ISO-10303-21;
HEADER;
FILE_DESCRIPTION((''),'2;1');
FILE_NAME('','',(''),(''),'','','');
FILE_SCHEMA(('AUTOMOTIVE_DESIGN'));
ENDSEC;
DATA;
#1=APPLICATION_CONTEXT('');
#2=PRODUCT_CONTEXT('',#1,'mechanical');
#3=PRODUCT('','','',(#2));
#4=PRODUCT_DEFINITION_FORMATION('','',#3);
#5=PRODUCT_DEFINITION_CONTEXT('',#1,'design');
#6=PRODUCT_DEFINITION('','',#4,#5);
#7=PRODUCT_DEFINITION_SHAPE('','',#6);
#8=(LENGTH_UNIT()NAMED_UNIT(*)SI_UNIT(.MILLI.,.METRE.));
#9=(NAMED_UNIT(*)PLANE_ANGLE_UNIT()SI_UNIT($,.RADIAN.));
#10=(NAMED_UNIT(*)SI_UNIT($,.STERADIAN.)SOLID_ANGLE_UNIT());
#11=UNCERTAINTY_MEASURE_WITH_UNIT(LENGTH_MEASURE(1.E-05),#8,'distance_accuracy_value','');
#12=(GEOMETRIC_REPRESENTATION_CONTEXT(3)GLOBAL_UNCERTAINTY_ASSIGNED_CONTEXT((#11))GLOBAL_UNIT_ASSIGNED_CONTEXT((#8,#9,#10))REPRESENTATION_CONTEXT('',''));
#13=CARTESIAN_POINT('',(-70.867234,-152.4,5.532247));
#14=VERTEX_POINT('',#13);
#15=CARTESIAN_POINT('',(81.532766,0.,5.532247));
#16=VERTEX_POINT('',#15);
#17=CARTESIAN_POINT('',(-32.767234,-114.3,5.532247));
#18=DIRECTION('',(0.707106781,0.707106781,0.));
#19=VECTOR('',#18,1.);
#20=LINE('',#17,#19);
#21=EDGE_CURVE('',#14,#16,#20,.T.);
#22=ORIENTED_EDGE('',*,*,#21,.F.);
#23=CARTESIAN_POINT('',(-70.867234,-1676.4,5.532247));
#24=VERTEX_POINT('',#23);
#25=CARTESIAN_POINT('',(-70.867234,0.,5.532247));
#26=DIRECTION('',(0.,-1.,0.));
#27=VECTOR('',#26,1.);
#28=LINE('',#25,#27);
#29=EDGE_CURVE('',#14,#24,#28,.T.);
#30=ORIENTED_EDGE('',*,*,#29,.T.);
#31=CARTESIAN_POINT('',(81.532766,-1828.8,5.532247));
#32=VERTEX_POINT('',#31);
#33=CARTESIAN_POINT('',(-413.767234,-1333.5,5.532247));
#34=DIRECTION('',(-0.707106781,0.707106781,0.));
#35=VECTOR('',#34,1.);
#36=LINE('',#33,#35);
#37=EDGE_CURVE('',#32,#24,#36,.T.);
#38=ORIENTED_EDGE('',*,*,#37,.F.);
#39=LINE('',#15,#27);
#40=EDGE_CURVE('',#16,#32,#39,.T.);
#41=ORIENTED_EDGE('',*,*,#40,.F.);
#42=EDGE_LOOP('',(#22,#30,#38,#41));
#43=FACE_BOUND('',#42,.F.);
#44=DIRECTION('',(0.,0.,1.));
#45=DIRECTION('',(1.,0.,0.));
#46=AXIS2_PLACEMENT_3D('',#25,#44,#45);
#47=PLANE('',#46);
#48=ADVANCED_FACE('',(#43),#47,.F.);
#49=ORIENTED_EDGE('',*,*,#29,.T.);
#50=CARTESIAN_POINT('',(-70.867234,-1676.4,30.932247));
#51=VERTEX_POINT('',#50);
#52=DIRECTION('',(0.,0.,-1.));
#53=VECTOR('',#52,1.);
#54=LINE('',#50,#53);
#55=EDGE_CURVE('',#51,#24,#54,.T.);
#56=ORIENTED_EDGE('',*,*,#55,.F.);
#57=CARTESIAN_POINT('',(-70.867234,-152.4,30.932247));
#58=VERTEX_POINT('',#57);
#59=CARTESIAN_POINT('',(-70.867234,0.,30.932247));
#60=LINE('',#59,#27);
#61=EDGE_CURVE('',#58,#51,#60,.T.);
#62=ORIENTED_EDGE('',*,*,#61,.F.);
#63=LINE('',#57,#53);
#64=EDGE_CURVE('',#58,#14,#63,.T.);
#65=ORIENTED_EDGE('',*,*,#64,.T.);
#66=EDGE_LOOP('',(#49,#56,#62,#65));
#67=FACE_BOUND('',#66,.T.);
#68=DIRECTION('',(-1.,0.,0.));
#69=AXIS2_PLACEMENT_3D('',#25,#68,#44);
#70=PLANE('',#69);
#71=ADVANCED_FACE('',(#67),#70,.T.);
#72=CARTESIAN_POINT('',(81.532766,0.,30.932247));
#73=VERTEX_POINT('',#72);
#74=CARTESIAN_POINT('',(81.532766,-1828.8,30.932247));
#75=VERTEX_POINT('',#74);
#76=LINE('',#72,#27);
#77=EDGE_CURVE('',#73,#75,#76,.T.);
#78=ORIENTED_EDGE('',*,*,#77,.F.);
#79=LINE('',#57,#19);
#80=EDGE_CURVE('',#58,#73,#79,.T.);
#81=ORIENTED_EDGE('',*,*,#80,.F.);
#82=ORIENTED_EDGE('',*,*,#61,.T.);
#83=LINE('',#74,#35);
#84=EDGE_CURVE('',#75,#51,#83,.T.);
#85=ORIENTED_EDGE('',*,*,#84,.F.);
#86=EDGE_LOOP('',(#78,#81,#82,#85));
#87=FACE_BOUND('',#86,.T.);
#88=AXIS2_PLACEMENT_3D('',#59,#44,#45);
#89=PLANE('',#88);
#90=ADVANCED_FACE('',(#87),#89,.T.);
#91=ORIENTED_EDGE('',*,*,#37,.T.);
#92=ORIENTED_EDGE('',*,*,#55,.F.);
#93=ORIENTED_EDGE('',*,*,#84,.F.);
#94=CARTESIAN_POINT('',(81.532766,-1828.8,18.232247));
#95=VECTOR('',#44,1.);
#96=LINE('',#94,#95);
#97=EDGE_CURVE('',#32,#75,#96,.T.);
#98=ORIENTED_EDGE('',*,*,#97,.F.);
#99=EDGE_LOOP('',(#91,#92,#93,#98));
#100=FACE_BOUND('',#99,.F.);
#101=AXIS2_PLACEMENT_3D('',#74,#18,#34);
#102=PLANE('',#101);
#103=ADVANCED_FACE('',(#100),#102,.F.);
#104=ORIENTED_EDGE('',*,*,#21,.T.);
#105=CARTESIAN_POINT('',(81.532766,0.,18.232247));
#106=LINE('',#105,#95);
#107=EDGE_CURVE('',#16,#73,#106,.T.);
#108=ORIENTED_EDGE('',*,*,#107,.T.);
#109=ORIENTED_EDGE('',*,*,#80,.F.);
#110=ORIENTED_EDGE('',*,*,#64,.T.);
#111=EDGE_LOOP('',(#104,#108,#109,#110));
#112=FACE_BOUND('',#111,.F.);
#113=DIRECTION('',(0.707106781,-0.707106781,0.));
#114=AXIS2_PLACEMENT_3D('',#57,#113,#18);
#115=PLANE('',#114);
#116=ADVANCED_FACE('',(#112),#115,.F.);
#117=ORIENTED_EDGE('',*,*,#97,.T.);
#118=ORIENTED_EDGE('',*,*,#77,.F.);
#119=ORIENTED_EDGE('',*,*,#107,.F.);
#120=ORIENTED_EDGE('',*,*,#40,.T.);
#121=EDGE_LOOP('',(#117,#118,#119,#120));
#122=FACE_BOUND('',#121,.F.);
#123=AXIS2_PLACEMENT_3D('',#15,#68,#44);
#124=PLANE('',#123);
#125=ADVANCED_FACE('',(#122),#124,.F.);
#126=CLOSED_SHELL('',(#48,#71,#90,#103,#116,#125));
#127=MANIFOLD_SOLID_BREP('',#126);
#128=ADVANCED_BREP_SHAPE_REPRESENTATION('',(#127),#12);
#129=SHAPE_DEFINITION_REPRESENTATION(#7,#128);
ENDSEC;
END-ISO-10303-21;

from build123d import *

# Parameters (mm, degrees)
F0_W     = 152.4
F0_H     = 25.4
F1_DEPTH = 1828.8
F3_DEPTH = 182.88


with BuildPart() as f1:
    # F0 (on Front) → F1 (new body)
    with BuildSketch(Plane.XZ):
        with Locations((5.332766, 18.232247)):
            Rectangle(F0_W, F0_H)
    extrude(amount=F1_DEPTH)

    # F2 (on face) → F3 (cut)
    with BuildSketch(Plane.XY.offset(30.932247)):
        Polygon((-70.867234, -152.4), (81.532766, 0), (-70.867234, 0), align=None)
        Polygon((-70.867234, -1828.8), (81.532766, -1828.8), (-70.867234, -1676.4), align=None)
    extrude(amount=-F3_DEPTH, mode=Mode.SUBTRACT)


solid = f1.part
